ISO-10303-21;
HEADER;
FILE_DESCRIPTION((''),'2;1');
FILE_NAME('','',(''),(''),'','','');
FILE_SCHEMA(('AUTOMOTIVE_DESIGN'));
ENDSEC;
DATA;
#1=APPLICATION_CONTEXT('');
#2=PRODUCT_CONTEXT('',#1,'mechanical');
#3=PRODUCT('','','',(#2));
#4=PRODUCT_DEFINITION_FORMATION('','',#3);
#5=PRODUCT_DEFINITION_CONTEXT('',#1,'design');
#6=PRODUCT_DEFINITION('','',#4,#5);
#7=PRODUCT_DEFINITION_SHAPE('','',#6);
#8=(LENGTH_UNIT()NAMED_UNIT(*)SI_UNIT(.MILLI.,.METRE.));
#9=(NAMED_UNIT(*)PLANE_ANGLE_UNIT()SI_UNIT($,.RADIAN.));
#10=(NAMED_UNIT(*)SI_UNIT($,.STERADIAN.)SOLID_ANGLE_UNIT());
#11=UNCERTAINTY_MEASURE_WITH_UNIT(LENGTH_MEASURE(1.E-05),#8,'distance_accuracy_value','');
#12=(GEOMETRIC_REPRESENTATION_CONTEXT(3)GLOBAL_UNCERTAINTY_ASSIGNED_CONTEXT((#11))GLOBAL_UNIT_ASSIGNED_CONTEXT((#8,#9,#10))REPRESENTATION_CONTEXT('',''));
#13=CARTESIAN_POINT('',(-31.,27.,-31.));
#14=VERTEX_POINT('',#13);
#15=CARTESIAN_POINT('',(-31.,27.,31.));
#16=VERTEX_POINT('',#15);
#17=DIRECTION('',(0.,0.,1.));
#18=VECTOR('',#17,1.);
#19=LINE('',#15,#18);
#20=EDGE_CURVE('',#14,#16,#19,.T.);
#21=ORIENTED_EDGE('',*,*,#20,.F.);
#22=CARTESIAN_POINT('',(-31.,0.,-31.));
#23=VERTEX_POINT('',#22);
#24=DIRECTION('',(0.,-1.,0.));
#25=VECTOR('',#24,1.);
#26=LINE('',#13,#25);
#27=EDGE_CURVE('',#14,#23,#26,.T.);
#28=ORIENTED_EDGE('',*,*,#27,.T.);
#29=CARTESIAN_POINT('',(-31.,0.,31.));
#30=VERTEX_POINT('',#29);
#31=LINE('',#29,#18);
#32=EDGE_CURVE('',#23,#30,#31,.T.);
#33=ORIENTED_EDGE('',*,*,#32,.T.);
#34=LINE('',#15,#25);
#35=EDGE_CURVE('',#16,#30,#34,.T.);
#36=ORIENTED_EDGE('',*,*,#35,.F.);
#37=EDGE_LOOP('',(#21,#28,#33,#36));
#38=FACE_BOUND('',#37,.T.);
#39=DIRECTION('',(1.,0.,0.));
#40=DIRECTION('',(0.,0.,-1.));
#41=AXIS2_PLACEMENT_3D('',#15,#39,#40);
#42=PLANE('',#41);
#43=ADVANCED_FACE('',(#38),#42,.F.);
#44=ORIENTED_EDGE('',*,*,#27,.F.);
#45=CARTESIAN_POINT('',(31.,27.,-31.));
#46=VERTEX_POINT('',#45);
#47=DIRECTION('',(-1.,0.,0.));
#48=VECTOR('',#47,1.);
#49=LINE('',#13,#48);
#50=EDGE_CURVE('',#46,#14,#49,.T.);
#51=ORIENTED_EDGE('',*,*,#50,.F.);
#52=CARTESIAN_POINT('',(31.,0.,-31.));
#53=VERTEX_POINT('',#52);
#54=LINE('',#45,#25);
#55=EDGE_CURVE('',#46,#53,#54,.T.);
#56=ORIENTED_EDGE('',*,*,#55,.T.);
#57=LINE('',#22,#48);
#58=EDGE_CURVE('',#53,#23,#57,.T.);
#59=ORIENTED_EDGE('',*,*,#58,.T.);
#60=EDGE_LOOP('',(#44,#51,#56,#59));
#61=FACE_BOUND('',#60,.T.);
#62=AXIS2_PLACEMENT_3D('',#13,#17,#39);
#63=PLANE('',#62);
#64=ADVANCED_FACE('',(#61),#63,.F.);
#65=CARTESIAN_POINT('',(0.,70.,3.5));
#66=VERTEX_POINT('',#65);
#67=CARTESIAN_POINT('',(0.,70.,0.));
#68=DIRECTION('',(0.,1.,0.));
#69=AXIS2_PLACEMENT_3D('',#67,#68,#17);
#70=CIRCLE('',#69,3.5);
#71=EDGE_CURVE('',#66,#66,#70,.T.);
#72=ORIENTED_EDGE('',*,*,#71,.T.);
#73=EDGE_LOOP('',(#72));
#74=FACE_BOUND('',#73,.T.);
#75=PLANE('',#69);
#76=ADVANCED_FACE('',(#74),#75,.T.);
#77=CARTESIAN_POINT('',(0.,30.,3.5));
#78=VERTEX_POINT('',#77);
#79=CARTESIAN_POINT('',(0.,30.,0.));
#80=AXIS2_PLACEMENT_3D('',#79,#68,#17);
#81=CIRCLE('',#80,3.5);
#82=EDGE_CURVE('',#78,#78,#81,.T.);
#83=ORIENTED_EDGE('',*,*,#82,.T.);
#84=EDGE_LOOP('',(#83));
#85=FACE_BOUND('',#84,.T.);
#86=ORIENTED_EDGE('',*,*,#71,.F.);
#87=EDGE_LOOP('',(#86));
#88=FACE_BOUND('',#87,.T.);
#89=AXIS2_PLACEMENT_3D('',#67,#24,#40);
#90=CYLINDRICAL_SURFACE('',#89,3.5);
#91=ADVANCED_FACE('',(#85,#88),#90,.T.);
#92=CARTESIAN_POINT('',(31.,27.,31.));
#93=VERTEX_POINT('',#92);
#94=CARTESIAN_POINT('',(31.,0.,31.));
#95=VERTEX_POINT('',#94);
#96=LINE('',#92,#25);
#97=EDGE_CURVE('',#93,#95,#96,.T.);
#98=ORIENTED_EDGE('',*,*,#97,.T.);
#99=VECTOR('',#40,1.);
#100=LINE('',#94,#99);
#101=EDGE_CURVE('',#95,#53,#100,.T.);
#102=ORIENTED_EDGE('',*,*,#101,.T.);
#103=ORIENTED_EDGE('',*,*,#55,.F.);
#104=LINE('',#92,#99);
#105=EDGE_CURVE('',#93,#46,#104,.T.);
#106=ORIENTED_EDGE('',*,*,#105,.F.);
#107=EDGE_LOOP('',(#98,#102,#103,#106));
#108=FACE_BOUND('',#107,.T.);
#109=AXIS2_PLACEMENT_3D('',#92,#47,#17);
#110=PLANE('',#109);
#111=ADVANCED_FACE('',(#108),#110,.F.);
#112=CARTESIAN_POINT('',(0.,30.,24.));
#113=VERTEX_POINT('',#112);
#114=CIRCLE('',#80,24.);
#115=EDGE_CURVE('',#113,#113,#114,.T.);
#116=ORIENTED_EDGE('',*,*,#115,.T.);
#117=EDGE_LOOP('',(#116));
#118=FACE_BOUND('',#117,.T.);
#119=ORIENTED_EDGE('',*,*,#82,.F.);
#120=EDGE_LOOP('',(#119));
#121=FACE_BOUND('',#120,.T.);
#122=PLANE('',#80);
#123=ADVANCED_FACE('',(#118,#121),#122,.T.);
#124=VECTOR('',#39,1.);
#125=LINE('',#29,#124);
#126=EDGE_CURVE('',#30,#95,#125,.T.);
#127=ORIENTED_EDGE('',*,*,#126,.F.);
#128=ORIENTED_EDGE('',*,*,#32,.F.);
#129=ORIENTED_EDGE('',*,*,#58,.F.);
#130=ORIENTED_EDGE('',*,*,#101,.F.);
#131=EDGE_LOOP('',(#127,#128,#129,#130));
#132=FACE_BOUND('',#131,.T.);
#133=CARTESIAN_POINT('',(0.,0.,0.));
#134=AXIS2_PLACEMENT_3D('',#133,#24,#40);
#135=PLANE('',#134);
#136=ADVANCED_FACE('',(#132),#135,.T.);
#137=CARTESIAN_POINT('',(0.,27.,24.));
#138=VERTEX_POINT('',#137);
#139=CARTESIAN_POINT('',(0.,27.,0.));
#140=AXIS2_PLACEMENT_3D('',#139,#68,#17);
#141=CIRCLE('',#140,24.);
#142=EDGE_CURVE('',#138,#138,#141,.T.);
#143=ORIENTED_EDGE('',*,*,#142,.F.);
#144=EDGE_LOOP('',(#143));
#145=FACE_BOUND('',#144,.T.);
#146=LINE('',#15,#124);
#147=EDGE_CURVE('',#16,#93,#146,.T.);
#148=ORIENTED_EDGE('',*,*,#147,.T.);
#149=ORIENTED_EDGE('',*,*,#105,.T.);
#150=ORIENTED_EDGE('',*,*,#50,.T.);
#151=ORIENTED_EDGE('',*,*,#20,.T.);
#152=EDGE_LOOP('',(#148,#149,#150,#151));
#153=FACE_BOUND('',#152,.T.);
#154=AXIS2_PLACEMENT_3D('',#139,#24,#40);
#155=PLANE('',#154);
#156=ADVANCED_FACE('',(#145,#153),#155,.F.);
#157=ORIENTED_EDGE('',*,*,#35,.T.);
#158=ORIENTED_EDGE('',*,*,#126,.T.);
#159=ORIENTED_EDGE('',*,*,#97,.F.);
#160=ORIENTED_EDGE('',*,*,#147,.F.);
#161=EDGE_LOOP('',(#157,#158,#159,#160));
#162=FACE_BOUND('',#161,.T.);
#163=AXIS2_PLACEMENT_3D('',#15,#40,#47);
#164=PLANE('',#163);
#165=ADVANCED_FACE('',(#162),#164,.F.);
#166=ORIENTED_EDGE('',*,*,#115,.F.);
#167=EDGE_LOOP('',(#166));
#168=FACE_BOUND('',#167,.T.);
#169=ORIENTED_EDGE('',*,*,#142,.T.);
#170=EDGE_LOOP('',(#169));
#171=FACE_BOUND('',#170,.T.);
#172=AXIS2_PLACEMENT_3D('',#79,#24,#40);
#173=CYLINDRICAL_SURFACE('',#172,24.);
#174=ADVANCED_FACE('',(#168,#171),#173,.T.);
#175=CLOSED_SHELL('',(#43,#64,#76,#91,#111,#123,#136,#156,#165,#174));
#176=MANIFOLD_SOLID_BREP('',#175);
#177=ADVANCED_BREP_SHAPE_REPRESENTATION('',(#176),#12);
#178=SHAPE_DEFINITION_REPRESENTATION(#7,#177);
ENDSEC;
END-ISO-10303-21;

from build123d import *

# Parameters (mm, degrees)
ESQUISSE2_W        = 62
ESQUISSE2_H        = 62
BOSS_EXTRU_1_DEPTH = 27
ESQUISSE3_R        = 24
BOSS_EXTRU_2_DEPTH = 3
ESQUISSE4_R        = 3.5
BOSS_EXTRU_3_DEPTH = 40


with BuildPart() as part:
    # Esquisse2 → Boss.-Extru.1 (new body)
    with BuildSketch(Plane(origin=(0, 0, 0), x_dir=(1, 0, 0), z_dir=(0, 1, 0))):
        Rectangle(ESQUISSE2_W, ESQUISSE2_H)
    extrude(amount=BOSS_EXTRU_1_DEPTH)

    # Esquisse3 → Boss.-Extru.2 (add)
    with BuildSketch(Plane(origin=(0, 27, 0), x_dir=(1, 0, 0), z_dir=(0, 1, 0))):
        with Locations(Location((0, 0, 0), (0, 0, 270))):
            Circle(ESQUISSE3_R)
    extrude(amount=BOSS_EXTRU_2_DEPTH)

    # Esquisse4 → Boss.-Extru.3 (add)
    with BuildSketch(Plane(origin=(0, 30, 0), x_dir=(1, 0, 0), z_dir=(0, 1, 0))):
        with Locations(Location((0, 0, 0), (0, 0, 270))):
            Circle(ESQUISSE4_R)
    extrude(amount=BOSS_EXTRU_3_DEPTH)


solid = part.part
